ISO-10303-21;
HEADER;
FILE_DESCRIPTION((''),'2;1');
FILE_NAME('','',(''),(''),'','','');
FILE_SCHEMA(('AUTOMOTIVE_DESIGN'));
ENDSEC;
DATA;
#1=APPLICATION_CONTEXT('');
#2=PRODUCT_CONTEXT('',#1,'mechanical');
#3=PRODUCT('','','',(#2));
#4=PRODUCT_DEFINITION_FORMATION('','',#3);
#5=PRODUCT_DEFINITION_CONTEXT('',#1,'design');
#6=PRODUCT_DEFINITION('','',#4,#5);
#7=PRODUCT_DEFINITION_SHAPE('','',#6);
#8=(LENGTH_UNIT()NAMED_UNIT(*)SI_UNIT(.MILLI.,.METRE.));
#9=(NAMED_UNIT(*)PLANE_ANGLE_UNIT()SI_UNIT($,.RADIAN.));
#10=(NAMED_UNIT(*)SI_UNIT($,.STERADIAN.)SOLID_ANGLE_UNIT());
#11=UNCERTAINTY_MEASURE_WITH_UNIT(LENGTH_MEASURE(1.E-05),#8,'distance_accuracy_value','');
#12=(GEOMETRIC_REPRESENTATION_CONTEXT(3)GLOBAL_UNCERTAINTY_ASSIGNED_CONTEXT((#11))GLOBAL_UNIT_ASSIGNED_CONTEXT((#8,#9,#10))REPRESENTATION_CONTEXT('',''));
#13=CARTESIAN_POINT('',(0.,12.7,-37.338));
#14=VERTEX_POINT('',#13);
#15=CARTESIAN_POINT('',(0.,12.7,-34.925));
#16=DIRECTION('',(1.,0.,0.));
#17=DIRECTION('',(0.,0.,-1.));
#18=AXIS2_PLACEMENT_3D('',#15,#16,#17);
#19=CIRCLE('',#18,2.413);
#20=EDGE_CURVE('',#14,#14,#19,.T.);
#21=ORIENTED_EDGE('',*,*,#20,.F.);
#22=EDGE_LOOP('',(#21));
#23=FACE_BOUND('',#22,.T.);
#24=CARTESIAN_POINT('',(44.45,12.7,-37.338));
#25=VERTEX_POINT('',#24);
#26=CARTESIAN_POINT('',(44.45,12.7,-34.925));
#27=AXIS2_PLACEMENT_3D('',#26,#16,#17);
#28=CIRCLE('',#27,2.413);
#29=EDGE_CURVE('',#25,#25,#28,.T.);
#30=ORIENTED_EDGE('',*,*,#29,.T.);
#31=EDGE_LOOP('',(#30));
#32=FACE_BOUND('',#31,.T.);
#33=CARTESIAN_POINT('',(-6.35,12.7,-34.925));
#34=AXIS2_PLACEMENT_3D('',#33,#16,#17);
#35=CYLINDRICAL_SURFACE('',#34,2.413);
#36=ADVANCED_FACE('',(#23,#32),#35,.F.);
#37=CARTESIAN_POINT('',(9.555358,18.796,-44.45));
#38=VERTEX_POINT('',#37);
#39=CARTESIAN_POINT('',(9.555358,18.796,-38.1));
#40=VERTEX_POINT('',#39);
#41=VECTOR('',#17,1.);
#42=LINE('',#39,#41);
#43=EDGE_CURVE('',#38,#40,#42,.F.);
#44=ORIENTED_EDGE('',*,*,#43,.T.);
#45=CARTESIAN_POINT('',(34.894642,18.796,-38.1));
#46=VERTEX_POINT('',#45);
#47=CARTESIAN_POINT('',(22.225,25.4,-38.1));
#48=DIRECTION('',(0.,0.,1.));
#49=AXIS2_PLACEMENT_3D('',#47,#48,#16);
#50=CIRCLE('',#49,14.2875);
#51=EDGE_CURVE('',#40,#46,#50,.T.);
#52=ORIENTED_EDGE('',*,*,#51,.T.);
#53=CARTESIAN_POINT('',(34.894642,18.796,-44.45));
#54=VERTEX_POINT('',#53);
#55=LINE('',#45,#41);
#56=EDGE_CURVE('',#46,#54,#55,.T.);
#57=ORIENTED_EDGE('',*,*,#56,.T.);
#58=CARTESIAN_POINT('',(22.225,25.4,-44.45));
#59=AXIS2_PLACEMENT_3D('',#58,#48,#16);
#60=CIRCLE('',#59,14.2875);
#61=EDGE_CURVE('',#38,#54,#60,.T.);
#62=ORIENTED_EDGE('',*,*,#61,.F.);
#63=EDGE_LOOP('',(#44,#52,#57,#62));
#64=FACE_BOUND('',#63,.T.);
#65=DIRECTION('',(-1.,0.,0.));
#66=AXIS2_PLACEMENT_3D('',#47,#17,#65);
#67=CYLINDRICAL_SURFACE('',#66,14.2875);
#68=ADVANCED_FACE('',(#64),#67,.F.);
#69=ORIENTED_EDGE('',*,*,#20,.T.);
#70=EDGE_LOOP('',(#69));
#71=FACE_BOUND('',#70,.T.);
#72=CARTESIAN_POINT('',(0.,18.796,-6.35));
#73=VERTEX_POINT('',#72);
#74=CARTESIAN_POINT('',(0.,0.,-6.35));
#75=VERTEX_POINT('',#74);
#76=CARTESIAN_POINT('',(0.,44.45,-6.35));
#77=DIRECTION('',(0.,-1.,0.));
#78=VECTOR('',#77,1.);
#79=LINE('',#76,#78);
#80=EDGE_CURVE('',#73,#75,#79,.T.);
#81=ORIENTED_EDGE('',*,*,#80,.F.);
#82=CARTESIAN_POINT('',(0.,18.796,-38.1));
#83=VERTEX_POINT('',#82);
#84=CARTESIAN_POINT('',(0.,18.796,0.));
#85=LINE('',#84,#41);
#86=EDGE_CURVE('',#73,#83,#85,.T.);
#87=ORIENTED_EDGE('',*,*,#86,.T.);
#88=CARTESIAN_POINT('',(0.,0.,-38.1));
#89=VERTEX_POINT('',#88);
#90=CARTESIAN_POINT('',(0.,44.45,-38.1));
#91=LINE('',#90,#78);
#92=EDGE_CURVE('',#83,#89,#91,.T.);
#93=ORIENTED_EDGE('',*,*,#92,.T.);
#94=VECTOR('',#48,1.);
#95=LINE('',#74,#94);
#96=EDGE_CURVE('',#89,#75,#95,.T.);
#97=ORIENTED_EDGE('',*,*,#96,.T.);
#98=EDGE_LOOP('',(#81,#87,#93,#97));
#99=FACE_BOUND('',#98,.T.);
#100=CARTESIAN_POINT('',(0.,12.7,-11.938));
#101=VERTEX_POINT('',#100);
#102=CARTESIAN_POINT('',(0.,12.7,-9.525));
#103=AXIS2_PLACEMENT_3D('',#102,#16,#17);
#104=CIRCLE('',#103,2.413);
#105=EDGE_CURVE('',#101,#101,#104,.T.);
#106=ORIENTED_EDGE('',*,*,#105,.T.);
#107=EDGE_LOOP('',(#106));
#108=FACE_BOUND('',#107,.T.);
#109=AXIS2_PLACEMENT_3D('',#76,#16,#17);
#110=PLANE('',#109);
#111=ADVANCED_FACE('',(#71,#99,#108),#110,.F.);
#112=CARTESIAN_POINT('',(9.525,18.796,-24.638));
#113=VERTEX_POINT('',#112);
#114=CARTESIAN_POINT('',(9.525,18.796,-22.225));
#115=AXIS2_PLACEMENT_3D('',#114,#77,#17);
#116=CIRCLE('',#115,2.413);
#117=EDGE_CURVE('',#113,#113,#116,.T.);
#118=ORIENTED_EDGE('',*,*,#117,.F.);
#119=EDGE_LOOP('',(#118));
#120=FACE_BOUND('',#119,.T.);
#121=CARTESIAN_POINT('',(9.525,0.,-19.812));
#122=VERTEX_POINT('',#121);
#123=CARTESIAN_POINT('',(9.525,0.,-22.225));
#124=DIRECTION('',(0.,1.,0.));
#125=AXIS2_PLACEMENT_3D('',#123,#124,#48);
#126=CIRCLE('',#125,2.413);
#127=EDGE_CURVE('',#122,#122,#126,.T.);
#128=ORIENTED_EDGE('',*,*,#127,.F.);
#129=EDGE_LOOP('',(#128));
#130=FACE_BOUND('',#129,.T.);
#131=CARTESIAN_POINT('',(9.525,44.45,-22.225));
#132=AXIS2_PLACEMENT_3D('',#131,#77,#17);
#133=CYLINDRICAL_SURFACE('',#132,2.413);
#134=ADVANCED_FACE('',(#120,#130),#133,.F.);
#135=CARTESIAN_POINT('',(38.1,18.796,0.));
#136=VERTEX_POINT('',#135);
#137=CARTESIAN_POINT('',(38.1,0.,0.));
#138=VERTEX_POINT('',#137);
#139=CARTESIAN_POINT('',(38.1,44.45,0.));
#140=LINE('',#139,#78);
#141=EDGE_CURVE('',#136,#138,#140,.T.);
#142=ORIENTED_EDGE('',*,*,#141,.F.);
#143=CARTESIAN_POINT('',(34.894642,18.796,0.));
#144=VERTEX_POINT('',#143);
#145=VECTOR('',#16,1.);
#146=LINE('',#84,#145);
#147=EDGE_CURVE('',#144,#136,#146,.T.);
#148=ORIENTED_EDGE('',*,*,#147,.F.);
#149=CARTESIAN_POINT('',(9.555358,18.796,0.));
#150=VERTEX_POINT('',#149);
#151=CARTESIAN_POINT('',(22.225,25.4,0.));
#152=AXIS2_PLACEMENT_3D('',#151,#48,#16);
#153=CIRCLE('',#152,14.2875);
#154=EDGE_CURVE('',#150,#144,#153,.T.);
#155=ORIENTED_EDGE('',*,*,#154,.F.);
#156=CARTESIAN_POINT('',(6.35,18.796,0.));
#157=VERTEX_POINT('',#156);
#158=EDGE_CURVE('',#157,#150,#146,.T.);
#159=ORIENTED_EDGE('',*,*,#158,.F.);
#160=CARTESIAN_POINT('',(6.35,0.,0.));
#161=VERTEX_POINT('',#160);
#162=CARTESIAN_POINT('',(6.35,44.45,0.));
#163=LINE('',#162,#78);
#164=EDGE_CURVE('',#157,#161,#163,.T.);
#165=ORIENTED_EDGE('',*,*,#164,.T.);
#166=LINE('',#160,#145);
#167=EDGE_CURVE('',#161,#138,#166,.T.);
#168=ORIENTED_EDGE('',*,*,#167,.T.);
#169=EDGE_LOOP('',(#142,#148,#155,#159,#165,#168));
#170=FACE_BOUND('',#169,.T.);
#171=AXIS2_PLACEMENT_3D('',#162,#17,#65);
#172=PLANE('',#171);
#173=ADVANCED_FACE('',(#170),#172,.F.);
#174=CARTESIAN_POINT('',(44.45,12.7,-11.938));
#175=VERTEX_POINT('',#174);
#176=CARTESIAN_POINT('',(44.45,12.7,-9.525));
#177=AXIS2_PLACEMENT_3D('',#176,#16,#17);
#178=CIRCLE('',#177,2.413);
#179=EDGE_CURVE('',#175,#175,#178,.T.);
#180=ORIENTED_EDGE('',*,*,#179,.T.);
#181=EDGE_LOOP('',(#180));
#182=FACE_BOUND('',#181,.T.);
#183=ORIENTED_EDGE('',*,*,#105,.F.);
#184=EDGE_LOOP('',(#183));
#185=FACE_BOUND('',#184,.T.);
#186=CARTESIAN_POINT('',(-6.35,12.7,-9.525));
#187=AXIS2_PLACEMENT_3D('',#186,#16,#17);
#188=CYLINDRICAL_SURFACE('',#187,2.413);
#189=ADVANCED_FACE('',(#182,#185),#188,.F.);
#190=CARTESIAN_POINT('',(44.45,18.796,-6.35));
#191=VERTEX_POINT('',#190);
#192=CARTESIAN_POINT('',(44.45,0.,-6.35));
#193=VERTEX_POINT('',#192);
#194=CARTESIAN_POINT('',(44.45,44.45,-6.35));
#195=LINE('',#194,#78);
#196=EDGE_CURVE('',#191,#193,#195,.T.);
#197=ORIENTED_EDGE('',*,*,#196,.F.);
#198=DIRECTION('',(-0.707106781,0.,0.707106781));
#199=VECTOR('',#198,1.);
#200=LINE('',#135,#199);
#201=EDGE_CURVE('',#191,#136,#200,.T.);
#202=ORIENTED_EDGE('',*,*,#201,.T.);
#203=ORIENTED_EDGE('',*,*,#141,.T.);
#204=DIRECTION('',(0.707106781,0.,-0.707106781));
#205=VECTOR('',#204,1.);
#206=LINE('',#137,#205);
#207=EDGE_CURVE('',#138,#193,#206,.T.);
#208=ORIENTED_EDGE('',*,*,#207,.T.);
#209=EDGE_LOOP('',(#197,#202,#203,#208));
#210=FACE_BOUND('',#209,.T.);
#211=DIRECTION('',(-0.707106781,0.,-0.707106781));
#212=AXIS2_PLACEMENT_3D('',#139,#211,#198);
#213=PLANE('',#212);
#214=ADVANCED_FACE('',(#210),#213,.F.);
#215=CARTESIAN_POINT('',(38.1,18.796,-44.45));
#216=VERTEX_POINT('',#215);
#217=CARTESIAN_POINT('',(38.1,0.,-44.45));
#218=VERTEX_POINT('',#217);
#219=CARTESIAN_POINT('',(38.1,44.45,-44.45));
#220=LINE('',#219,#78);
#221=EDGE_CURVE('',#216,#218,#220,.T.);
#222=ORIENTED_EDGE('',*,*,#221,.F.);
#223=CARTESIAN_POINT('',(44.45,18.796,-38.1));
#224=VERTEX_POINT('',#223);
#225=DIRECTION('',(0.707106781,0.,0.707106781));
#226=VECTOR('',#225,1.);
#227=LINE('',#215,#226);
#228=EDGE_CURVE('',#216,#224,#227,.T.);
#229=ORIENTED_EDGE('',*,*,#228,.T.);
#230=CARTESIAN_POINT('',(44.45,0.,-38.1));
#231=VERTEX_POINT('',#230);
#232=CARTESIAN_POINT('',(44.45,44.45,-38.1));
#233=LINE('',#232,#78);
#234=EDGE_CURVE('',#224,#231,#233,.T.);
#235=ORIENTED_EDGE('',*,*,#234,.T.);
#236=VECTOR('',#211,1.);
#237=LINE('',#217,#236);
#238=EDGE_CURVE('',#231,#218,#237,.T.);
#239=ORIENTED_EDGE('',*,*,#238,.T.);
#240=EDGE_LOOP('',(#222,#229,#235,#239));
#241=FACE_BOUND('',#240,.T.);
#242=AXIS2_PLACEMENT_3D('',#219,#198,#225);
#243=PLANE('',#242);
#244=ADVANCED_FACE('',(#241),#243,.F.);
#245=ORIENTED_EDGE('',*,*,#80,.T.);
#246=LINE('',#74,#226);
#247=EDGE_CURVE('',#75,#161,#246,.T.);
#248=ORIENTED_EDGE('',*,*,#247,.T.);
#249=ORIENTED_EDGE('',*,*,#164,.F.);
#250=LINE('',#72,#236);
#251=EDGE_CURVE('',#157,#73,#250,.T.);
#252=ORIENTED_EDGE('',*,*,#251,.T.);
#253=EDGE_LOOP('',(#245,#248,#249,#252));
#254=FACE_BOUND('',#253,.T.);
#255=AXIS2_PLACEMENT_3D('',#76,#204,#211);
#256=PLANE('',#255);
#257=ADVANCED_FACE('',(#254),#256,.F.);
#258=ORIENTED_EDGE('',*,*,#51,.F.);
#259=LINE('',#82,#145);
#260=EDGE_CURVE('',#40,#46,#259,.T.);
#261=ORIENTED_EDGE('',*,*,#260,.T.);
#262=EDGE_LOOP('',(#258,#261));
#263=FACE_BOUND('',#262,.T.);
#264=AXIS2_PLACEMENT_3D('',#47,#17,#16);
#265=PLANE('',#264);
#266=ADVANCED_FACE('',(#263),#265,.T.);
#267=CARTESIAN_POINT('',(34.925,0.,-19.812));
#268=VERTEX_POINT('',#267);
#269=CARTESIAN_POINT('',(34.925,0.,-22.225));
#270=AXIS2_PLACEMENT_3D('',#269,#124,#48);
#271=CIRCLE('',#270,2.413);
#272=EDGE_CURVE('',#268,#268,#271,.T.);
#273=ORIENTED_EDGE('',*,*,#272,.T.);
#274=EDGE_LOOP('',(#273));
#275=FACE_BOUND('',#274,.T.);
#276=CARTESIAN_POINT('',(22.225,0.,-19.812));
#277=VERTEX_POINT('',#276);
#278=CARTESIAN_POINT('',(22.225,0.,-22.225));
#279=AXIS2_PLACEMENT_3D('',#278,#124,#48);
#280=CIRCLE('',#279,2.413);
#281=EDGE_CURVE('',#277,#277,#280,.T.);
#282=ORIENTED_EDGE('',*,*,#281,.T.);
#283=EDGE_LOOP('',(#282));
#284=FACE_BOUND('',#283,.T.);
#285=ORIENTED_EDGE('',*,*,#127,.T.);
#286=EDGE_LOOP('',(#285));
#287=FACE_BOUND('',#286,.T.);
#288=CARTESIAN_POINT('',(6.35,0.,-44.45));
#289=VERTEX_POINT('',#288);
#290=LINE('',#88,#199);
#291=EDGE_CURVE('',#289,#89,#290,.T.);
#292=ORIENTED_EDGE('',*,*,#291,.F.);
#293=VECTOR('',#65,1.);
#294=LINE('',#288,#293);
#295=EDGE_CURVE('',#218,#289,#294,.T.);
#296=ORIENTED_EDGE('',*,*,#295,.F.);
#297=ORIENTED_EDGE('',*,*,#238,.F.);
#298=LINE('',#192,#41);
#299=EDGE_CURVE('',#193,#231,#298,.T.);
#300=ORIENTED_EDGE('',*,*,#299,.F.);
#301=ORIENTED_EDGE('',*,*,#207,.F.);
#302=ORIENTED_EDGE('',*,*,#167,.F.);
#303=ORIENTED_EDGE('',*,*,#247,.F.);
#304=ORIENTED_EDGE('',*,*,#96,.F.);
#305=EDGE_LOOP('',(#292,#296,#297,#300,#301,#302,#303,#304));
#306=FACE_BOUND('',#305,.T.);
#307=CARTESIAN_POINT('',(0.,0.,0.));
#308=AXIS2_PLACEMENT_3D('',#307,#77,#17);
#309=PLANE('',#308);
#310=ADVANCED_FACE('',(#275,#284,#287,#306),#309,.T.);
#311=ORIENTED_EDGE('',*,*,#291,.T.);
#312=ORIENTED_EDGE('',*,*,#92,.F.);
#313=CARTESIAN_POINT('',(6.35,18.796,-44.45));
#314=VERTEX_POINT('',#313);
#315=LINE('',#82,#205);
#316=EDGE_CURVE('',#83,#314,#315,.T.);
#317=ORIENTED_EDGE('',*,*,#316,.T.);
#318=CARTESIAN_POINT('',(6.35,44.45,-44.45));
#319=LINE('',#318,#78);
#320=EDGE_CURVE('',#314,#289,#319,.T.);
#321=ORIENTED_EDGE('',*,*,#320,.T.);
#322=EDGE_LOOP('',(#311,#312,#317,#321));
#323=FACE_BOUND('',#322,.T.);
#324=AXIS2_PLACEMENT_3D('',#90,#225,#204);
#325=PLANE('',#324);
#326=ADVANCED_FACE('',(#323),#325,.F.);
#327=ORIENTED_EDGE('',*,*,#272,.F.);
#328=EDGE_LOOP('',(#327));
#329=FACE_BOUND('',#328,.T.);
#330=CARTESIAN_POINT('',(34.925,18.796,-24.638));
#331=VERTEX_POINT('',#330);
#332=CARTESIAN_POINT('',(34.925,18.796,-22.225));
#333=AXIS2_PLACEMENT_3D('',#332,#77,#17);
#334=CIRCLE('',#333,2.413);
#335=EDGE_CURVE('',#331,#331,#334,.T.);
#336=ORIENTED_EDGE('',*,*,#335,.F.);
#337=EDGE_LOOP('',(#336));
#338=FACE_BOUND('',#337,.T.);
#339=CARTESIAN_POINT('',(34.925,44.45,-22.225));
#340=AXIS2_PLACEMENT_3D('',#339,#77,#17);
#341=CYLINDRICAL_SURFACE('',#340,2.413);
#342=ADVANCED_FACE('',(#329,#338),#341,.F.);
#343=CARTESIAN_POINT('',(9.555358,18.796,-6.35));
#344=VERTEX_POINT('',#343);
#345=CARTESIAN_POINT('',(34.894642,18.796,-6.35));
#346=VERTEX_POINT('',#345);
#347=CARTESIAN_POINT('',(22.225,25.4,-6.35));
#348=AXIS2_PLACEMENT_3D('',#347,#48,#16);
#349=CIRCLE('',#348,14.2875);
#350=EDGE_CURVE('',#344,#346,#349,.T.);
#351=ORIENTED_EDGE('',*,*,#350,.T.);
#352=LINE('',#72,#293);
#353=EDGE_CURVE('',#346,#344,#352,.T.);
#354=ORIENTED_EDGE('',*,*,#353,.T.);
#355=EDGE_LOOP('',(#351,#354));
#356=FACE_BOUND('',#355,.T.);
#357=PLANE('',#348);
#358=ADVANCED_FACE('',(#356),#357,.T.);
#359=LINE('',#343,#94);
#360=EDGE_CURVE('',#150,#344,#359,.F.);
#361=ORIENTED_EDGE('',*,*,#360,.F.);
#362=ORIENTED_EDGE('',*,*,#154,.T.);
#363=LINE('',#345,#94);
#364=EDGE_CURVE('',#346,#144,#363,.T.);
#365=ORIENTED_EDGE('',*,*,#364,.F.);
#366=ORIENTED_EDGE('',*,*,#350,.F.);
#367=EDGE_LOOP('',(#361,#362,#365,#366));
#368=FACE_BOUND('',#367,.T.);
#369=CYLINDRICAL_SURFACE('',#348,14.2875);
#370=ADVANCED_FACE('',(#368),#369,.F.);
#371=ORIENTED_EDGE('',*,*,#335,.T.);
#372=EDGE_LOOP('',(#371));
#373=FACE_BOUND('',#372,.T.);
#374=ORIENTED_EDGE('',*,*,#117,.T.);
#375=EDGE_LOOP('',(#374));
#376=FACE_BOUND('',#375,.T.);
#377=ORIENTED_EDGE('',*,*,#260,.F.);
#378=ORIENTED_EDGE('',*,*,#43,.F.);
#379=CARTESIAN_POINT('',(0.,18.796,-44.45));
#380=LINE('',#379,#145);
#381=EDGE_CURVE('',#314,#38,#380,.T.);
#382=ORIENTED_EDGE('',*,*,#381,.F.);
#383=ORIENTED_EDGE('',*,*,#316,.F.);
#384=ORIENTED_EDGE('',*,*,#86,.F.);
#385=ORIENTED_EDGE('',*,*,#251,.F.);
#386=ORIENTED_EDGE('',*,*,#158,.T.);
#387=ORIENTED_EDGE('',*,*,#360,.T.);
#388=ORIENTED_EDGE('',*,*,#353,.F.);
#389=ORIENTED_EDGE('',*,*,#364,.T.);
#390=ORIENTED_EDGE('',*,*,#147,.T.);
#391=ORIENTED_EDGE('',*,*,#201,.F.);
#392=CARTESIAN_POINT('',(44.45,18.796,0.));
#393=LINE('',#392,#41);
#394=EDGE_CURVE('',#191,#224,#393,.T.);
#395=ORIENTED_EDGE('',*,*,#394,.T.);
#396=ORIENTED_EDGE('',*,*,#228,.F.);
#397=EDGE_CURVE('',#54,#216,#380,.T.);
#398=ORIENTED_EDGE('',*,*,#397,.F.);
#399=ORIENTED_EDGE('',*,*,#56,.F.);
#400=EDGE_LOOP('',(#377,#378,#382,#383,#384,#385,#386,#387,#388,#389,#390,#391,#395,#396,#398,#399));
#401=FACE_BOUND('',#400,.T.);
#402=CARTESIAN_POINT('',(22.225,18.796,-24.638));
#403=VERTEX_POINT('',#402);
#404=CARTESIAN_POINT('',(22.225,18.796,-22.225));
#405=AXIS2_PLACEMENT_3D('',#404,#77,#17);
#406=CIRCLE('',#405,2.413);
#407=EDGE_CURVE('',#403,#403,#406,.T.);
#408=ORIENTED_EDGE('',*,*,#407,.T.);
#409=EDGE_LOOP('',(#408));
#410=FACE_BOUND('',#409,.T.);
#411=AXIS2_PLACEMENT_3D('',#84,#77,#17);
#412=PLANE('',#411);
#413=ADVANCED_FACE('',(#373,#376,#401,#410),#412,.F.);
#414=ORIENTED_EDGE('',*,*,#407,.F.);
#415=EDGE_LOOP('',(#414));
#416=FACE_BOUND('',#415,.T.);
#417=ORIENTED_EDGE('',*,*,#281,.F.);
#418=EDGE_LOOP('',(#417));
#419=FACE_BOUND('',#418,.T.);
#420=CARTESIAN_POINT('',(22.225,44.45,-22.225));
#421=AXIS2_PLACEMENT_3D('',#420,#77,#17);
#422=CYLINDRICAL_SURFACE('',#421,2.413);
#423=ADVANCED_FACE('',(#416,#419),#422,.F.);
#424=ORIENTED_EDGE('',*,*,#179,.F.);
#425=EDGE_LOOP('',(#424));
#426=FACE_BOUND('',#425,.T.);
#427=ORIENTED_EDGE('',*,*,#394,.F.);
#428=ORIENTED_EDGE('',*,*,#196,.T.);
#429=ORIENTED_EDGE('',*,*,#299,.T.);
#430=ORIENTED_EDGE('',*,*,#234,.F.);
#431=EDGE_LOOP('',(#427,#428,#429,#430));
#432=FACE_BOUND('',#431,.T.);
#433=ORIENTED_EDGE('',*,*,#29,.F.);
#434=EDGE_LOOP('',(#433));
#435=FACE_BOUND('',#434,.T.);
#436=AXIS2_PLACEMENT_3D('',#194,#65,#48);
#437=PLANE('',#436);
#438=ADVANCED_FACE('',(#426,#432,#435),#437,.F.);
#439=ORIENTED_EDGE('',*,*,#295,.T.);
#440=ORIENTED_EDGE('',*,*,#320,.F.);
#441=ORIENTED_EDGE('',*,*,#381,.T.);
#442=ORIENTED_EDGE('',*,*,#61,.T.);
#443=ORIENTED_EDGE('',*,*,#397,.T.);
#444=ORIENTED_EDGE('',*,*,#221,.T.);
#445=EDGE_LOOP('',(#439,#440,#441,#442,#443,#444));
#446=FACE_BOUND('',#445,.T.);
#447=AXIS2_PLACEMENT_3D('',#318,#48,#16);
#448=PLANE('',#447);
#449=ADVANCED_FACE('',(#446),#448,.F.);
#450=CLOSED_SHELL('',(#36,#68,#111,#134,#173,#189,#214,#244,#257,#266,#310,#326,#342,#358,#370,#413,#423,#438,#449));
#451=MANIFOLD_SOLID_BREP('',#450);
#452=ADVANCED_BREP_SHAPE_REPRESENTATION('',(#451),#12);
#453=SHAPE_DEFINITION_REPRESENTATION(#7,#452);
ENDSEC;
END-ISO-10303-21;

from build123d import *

# Parameters (mm, degrees)
SKETCH1_R           = 2.413
BOSS_EXTRUDE1_DEPTH = 44.45
SKETCH2_R           = 2.413
CUT_EXTRUDE1_DEPTH  = 50.8
SKETCH3_W           = 44.45
SKETCH3_H           = 25.654
CUT_EXTRUDE2_DEPTH  = 77.989658396
SKETCH4_R           = 14.2875
CUT_EXTRUDE3_DEPTH  = 6.35


with BuildPart() as part:
    # Sketch1 → Boss-Extrude1 (new body)
    with BuildSketch(Plane(origin=(0, 0, 0), x_dir=(1, 0, 0), z_dir=(0, 1, 0))):
        Polygon((0, 38.1), (6.35, 44.45), (38.1, 44.45), (44.45, 38.1), (44.45, 6.35), (38.1, 0), (6.35, 0), (0, 6.35), align=None)
        with Locations(Location((9.525, 22.225, 0), (0, 0, 270))):
            Circle(SKETCH1_R, mode=Mode.SUBTRACT)
        with Locations(Location((22.225, 22.225, 0), (0, 0, 270))):
            Circle(SKETCH1_R, mode=Mode.SUBTRACT)
        with Locations(Location((34.925, 22.225, 0), (0, 0, 270))):
            Circle(SKETCH1_R, mode=Mode.SUBTRACT)
    extrude(amount=BOSS_EXTRUDE1_DEPTH)

    # Sketch2 → Cut-Extrude1 (cut)
    with BuildSketch(Plane(origin=(44.45, 0, 0), x_dir=(0, 0, -1), z_dir=(1, 0, 0))):
        with Locations((9.525, 31.75)):
            Circle(SKETCH2_R)
        with Locations((34.925, 31.75)):
            Circle(SKETCH2_R)
        with Locations((34.925, 12.7)):
            Circle(SKETCH2_R)
        with Locations((9.525, 12.7)):
            Circle(SKETCH2_R)
    extrude(amount=-CUT_EXTRUDE1_DEPTH, mode=Mode.SUBTRACT)

    # Sketch3 → Cut-Extrude2 (cut, through all)
    with BuildSketch(Plane(origin=(44.45, 0, 0), x_dir=(0, 0, -1), z_dir=(1, 0, 0))):
        with Locations((22.225, 31.623)):
            Rectangle(SKETCH3_W, SKETCH3_H)
    extrude(amount=-CUT_EXTRUDE2_DEPTH, mode=Mode.SUBTRACT)

    # Sketch4 → Cut-Extrude3 (cut)
    with BuildSketch(Plane.XY):
        with Locations((22.225, 25.4)):
            Circle(SKETCH4_R)
    cut_extrude3 = extrude(amount=-CUT_EXTRUDE3_DEPTH, mode=Mode.SUBTRACT)

    # Mirror1: Cut-Extrude3 across plane
    add(cut_extrude3.mirror(Plane.XY.offset(-22.225)), mode=Mode.SUBTRACT)


solid = part.part
